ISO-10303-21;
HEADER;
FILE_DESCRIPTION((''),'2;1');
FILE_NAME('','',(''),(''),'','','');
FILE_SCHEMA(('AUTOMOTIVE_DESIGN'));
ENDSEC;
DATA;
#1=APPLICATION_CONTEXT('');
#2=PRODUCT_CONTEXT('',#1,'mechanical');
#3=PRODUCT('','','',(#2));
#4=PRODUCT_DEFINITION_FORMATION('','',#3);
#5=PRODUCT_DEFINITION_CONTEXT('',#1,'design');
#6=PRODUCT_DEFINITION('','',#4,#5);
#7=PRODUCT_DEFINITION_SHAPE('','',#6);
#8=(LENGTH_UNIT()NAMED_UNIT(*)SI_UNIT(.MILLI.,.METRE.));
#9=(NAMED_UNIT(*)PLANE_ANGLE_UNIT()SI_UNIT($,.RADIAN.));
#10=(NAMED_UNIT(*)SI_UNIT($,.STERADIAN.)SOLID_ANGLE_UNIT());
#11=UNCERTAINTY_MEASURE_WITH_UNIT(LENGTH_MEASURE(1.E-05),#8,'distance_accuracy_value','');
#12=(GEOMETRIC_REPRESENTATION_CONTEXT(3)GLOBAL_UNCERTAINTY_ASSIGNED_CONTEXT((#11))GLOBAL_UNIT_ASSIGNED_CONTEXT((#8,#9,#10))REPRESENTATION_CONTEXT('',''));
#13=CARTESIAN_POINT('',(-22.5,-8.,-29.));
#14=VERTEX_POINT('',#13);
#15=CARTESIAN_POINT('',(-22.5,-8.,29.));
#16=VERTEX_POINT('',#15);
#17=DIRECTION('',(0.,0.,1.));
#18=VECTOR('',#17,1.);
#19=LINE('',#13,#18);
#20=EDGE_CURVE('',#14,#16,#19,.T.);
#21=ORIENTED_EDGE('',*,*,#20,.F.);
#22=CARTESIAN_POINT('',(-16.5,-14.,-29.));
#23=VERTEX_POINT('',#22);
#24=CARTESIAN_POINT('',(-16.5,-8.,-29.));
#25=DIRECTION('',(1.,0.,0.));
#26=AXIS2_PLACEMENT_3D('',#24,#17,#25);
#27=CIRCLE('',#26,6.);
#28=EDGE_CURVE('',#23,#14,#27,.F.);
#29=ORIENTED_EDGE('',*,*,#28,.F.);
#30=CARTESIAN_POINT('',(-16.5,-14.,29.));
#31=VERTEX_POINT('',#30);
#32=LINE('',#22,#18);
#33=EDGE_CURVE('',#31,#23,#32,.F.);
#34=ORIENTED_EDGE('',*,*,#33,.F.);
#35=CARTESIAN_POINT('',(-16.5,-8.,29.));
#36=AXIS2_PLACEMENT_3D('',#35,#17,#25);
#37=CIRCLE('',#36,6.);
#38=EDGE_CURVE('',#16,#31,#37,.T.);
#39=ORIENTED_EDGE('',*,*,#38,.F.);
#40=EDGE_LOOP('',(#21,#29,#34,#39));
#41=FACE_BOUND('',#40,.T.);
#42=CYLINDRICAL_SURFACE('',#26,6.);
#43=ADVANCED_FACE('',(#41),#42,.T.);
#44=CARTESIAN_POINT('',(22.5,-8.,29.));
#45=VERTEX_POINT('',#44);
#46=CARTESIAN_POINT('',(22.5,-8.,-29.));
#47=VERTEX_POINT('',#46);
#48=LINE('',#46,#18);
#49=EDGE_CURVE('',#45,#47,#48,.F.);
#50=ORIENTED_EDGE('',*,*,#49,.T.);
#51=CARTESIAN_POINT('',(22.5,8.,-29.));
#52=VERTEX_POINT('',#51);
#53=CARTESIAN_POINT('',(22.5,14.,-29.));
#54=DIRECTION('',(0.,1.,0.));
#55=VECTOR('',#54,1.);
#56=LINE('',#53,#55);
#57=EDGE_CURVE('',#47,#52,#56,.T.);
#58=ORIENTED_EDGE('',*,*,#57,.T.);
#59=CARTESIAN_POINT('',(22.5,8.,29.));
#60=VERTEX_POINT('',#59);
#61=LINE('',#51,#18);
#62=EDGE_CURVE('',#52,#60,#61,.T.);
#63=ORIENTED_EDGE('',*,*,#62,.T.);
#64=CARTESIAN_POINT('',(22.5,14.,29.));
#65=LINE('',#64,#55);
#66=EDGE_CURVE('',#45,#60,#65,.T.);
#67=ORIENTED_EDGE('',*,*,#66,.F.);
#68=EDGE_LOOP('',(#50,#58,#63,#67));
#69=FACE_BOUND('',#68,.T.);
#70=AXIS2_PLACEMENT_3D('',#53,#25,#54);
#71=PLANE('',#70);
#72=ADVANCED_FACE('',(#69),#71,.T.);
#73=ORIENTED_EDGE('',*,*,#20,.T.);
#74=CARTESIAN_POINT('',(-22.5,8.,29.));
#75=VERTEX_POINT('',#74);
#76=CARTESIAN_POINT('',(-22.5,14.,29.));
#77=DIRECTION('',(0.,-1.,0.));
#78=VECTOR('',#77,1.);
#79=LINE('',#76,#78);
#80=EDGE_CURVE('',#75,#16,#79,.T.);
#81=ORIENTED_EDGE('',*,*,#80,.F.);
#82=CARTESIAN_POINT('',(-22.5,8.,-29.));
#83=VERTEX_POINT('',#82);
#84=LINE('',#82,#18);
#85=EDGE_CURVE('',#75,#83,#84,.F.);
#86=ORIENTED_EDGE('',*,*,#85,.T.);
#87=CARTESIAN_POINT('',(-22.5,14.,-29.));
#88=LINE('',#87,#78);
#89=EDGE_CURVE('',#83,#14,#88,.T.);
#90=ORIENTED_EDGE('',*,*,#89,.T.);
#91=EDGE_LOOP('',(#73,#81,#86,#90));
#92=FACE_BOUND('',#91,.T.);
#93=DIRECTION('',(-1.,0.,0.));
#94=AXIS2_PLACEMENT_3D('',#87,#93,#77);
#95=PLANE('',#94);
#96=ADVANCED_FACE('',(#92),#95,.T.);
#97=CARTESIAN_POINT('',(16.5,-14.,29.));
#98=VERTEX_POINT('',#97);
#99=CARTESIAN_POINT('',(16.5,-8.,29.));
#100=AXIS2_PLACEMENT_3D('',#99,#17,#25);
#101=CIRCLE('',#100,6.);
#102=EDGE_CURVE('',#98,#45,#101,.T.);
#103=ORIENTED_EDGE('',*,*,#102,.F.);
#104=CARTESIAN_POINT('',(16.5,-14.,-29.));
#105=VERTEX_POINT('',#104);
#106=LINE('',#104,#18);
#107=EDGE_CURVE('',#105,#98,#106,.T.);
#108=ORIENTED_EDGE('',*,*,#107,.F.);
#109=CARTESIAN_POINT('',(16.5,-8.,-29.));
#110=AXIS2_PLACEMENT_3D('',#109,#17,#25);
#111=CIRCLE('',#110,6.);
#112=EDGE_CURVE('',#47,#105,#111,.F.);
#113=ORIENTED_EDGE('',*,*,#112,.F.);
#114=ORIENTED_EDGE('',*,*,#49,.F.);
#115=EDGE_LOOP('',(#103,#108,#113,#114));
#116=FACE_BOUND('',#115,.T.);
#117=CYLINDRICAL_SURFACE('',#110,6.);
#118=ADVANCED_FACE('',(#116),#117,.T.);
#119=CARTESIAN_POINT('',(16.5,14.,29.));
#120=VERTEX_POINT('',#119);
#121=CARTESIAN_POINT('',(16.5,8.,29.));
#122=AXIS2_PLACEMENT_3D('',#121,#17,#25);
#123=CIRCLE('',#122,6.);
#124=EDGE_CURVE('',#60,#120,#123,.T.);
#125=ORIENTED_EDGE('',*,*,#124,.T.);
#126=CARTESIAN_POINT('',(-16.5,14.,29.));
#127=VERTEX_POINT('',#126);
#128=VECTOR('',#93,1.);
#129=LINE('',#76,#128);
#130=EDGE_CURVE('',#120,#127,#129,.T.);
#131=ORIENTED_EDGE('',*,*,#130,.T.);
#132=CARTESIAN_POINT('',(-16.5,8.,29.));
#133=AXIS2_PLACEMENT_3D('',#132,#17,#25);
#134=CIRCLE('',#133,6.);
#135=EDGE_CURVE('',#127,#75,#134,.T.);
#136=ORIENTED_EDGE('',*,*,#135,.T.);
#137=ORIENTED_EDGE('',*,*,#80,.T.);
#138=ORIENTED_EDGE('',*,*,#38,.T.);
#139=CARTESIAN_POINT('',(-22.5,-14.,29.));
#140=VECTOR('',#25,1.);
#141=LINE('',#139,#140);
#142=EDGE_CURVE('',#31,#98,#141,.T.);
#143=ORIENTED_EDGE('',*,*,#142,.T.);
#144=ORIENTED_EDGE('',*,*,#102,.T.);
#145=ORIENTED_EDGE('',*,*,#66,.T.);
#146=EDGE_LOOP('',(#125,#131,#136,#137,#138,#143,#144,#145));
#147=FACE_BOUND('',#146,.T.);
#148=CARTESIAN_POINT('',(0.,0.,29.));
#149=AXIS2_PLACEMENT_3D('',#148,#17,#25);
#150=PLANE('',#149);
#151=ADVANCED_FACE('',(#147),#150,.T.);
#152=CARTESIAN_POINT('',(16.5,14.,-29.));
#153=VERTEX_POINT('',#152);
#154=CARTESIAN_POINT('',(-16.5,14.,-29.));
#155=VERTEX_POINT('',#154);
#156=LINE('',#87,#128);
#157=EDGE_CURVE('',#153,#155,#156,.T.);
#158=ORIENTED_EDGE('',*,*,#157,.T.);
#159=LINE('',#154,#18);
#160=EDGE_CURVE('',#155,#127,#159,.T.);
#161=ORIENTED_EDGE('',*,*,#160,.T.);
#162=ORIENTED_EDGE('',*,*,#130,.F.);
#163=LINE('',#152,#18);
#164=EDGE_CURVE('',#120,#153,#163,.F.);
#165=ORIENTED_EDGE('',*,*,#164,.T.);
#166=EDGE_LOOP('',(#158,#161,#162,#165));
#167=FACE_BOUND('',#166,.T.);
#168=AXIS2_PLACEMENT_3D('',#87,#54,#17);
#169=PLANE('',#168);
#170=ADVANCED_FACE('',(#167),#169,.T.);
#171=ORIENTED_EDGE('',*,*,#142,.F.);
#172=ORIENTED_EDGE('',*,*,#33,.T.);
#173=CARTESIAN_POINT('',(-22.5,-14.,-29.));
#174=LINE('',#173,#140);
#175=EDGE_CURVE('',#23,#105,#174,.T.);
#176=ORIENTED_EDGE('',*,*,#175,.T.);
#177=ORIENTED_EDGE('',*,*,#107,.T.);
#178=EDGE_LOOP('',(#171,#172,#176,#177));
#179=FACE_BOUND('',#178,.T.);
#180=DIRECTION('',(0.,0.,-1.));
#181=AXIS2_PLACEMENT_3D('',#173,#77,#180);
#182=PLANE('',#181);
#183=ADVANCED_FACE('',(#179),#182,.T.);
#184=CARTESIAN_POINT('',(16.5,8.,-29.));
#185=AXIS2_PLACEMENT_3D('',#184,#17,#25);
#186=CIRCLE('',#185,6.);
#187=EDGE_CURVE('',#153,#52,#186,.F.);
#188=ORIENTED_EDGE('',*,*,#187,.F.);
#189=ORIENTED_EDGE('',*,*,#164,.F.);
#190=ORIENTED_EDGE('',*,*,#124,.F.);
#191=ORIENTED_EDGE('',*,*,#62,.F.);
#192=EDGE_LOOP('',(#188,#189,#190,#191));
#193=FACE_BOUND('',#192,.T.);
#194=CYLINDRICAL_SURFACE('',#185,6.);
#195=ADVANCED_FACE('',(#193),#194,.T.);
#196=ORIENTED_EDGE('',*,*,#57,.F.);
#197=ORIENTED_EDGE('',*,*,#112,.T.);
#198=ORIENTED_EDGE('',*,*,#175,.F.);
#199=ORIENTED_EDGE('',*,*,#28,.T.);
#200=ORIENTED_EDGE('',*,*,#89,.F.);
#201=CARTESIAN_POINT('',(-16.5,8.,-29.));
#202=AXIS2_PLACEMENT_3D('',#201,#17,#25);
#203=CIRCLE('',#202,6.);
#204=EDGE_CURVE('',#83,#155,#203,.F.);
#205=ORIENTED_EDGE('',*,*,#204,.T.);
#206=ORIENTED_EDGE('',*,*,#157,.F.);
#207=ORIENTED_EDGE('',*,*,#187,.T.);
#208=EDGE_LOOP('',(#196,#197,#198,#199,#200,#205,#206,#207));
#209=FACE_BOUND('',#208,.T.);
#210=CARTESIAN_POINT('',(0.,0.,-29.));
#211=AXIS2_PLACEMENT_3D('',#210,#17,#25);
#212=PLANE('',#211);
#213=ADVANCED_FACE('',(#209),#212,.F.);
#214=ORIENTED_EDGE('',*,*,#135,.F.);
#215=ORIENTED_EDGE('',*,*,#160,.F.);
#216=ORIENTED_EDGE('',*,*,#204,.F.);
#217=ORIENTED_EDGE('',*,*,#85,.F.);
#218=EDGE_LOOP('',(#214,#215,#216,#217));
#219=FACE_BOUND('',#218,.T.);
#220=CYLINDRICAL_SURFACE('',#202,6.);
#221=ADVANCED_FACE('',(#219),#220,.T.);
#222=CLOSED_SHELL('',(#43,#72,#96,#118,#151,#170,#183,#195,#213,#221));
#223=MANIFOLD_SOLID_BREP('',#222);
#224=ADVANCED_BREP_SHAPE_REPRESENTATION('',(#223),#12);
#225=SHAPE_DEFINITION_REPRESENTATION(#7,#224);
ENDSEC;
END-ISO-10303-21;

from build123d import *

# Parameters (mm, degrees)
BOSS_EXTRUDE1_DEPTH      = 29
BOSS_EXTRUDE1_DEPTH_BACK = 29
SKETCH1_W                = 45
SKETCH1_H                = 28
FILLET1_R                = 6


with BuildPart() as part:
    # Sketch1 → Boss-Extrude1 (new, two sides: drawn at the far end of the back side and taken through both)
    with BuildSketch(Plane.XY.offset(-BOSS_EXTRUDE1_DEPTH_BACK)):
        Rectangle(SKETCH1_W, SKETCH1_H)
    extrude(amount=BOSS_EXTRUDE1_DEPTH + BOSS_EXTRUDE1_DEPTH_BACK)

    # Fillet1
    fillet1_edges = [part.edges().sort_by_distance(p)[0] for p in [
        (22.5, -14, 0),
        (-22.5, -14, 0),
        (-22.5, 14, 0),
        (22.5, 14, 0),
    ]]
    fillet(fillet1_edges, radius=FILLET1_R)


solid = part.part
